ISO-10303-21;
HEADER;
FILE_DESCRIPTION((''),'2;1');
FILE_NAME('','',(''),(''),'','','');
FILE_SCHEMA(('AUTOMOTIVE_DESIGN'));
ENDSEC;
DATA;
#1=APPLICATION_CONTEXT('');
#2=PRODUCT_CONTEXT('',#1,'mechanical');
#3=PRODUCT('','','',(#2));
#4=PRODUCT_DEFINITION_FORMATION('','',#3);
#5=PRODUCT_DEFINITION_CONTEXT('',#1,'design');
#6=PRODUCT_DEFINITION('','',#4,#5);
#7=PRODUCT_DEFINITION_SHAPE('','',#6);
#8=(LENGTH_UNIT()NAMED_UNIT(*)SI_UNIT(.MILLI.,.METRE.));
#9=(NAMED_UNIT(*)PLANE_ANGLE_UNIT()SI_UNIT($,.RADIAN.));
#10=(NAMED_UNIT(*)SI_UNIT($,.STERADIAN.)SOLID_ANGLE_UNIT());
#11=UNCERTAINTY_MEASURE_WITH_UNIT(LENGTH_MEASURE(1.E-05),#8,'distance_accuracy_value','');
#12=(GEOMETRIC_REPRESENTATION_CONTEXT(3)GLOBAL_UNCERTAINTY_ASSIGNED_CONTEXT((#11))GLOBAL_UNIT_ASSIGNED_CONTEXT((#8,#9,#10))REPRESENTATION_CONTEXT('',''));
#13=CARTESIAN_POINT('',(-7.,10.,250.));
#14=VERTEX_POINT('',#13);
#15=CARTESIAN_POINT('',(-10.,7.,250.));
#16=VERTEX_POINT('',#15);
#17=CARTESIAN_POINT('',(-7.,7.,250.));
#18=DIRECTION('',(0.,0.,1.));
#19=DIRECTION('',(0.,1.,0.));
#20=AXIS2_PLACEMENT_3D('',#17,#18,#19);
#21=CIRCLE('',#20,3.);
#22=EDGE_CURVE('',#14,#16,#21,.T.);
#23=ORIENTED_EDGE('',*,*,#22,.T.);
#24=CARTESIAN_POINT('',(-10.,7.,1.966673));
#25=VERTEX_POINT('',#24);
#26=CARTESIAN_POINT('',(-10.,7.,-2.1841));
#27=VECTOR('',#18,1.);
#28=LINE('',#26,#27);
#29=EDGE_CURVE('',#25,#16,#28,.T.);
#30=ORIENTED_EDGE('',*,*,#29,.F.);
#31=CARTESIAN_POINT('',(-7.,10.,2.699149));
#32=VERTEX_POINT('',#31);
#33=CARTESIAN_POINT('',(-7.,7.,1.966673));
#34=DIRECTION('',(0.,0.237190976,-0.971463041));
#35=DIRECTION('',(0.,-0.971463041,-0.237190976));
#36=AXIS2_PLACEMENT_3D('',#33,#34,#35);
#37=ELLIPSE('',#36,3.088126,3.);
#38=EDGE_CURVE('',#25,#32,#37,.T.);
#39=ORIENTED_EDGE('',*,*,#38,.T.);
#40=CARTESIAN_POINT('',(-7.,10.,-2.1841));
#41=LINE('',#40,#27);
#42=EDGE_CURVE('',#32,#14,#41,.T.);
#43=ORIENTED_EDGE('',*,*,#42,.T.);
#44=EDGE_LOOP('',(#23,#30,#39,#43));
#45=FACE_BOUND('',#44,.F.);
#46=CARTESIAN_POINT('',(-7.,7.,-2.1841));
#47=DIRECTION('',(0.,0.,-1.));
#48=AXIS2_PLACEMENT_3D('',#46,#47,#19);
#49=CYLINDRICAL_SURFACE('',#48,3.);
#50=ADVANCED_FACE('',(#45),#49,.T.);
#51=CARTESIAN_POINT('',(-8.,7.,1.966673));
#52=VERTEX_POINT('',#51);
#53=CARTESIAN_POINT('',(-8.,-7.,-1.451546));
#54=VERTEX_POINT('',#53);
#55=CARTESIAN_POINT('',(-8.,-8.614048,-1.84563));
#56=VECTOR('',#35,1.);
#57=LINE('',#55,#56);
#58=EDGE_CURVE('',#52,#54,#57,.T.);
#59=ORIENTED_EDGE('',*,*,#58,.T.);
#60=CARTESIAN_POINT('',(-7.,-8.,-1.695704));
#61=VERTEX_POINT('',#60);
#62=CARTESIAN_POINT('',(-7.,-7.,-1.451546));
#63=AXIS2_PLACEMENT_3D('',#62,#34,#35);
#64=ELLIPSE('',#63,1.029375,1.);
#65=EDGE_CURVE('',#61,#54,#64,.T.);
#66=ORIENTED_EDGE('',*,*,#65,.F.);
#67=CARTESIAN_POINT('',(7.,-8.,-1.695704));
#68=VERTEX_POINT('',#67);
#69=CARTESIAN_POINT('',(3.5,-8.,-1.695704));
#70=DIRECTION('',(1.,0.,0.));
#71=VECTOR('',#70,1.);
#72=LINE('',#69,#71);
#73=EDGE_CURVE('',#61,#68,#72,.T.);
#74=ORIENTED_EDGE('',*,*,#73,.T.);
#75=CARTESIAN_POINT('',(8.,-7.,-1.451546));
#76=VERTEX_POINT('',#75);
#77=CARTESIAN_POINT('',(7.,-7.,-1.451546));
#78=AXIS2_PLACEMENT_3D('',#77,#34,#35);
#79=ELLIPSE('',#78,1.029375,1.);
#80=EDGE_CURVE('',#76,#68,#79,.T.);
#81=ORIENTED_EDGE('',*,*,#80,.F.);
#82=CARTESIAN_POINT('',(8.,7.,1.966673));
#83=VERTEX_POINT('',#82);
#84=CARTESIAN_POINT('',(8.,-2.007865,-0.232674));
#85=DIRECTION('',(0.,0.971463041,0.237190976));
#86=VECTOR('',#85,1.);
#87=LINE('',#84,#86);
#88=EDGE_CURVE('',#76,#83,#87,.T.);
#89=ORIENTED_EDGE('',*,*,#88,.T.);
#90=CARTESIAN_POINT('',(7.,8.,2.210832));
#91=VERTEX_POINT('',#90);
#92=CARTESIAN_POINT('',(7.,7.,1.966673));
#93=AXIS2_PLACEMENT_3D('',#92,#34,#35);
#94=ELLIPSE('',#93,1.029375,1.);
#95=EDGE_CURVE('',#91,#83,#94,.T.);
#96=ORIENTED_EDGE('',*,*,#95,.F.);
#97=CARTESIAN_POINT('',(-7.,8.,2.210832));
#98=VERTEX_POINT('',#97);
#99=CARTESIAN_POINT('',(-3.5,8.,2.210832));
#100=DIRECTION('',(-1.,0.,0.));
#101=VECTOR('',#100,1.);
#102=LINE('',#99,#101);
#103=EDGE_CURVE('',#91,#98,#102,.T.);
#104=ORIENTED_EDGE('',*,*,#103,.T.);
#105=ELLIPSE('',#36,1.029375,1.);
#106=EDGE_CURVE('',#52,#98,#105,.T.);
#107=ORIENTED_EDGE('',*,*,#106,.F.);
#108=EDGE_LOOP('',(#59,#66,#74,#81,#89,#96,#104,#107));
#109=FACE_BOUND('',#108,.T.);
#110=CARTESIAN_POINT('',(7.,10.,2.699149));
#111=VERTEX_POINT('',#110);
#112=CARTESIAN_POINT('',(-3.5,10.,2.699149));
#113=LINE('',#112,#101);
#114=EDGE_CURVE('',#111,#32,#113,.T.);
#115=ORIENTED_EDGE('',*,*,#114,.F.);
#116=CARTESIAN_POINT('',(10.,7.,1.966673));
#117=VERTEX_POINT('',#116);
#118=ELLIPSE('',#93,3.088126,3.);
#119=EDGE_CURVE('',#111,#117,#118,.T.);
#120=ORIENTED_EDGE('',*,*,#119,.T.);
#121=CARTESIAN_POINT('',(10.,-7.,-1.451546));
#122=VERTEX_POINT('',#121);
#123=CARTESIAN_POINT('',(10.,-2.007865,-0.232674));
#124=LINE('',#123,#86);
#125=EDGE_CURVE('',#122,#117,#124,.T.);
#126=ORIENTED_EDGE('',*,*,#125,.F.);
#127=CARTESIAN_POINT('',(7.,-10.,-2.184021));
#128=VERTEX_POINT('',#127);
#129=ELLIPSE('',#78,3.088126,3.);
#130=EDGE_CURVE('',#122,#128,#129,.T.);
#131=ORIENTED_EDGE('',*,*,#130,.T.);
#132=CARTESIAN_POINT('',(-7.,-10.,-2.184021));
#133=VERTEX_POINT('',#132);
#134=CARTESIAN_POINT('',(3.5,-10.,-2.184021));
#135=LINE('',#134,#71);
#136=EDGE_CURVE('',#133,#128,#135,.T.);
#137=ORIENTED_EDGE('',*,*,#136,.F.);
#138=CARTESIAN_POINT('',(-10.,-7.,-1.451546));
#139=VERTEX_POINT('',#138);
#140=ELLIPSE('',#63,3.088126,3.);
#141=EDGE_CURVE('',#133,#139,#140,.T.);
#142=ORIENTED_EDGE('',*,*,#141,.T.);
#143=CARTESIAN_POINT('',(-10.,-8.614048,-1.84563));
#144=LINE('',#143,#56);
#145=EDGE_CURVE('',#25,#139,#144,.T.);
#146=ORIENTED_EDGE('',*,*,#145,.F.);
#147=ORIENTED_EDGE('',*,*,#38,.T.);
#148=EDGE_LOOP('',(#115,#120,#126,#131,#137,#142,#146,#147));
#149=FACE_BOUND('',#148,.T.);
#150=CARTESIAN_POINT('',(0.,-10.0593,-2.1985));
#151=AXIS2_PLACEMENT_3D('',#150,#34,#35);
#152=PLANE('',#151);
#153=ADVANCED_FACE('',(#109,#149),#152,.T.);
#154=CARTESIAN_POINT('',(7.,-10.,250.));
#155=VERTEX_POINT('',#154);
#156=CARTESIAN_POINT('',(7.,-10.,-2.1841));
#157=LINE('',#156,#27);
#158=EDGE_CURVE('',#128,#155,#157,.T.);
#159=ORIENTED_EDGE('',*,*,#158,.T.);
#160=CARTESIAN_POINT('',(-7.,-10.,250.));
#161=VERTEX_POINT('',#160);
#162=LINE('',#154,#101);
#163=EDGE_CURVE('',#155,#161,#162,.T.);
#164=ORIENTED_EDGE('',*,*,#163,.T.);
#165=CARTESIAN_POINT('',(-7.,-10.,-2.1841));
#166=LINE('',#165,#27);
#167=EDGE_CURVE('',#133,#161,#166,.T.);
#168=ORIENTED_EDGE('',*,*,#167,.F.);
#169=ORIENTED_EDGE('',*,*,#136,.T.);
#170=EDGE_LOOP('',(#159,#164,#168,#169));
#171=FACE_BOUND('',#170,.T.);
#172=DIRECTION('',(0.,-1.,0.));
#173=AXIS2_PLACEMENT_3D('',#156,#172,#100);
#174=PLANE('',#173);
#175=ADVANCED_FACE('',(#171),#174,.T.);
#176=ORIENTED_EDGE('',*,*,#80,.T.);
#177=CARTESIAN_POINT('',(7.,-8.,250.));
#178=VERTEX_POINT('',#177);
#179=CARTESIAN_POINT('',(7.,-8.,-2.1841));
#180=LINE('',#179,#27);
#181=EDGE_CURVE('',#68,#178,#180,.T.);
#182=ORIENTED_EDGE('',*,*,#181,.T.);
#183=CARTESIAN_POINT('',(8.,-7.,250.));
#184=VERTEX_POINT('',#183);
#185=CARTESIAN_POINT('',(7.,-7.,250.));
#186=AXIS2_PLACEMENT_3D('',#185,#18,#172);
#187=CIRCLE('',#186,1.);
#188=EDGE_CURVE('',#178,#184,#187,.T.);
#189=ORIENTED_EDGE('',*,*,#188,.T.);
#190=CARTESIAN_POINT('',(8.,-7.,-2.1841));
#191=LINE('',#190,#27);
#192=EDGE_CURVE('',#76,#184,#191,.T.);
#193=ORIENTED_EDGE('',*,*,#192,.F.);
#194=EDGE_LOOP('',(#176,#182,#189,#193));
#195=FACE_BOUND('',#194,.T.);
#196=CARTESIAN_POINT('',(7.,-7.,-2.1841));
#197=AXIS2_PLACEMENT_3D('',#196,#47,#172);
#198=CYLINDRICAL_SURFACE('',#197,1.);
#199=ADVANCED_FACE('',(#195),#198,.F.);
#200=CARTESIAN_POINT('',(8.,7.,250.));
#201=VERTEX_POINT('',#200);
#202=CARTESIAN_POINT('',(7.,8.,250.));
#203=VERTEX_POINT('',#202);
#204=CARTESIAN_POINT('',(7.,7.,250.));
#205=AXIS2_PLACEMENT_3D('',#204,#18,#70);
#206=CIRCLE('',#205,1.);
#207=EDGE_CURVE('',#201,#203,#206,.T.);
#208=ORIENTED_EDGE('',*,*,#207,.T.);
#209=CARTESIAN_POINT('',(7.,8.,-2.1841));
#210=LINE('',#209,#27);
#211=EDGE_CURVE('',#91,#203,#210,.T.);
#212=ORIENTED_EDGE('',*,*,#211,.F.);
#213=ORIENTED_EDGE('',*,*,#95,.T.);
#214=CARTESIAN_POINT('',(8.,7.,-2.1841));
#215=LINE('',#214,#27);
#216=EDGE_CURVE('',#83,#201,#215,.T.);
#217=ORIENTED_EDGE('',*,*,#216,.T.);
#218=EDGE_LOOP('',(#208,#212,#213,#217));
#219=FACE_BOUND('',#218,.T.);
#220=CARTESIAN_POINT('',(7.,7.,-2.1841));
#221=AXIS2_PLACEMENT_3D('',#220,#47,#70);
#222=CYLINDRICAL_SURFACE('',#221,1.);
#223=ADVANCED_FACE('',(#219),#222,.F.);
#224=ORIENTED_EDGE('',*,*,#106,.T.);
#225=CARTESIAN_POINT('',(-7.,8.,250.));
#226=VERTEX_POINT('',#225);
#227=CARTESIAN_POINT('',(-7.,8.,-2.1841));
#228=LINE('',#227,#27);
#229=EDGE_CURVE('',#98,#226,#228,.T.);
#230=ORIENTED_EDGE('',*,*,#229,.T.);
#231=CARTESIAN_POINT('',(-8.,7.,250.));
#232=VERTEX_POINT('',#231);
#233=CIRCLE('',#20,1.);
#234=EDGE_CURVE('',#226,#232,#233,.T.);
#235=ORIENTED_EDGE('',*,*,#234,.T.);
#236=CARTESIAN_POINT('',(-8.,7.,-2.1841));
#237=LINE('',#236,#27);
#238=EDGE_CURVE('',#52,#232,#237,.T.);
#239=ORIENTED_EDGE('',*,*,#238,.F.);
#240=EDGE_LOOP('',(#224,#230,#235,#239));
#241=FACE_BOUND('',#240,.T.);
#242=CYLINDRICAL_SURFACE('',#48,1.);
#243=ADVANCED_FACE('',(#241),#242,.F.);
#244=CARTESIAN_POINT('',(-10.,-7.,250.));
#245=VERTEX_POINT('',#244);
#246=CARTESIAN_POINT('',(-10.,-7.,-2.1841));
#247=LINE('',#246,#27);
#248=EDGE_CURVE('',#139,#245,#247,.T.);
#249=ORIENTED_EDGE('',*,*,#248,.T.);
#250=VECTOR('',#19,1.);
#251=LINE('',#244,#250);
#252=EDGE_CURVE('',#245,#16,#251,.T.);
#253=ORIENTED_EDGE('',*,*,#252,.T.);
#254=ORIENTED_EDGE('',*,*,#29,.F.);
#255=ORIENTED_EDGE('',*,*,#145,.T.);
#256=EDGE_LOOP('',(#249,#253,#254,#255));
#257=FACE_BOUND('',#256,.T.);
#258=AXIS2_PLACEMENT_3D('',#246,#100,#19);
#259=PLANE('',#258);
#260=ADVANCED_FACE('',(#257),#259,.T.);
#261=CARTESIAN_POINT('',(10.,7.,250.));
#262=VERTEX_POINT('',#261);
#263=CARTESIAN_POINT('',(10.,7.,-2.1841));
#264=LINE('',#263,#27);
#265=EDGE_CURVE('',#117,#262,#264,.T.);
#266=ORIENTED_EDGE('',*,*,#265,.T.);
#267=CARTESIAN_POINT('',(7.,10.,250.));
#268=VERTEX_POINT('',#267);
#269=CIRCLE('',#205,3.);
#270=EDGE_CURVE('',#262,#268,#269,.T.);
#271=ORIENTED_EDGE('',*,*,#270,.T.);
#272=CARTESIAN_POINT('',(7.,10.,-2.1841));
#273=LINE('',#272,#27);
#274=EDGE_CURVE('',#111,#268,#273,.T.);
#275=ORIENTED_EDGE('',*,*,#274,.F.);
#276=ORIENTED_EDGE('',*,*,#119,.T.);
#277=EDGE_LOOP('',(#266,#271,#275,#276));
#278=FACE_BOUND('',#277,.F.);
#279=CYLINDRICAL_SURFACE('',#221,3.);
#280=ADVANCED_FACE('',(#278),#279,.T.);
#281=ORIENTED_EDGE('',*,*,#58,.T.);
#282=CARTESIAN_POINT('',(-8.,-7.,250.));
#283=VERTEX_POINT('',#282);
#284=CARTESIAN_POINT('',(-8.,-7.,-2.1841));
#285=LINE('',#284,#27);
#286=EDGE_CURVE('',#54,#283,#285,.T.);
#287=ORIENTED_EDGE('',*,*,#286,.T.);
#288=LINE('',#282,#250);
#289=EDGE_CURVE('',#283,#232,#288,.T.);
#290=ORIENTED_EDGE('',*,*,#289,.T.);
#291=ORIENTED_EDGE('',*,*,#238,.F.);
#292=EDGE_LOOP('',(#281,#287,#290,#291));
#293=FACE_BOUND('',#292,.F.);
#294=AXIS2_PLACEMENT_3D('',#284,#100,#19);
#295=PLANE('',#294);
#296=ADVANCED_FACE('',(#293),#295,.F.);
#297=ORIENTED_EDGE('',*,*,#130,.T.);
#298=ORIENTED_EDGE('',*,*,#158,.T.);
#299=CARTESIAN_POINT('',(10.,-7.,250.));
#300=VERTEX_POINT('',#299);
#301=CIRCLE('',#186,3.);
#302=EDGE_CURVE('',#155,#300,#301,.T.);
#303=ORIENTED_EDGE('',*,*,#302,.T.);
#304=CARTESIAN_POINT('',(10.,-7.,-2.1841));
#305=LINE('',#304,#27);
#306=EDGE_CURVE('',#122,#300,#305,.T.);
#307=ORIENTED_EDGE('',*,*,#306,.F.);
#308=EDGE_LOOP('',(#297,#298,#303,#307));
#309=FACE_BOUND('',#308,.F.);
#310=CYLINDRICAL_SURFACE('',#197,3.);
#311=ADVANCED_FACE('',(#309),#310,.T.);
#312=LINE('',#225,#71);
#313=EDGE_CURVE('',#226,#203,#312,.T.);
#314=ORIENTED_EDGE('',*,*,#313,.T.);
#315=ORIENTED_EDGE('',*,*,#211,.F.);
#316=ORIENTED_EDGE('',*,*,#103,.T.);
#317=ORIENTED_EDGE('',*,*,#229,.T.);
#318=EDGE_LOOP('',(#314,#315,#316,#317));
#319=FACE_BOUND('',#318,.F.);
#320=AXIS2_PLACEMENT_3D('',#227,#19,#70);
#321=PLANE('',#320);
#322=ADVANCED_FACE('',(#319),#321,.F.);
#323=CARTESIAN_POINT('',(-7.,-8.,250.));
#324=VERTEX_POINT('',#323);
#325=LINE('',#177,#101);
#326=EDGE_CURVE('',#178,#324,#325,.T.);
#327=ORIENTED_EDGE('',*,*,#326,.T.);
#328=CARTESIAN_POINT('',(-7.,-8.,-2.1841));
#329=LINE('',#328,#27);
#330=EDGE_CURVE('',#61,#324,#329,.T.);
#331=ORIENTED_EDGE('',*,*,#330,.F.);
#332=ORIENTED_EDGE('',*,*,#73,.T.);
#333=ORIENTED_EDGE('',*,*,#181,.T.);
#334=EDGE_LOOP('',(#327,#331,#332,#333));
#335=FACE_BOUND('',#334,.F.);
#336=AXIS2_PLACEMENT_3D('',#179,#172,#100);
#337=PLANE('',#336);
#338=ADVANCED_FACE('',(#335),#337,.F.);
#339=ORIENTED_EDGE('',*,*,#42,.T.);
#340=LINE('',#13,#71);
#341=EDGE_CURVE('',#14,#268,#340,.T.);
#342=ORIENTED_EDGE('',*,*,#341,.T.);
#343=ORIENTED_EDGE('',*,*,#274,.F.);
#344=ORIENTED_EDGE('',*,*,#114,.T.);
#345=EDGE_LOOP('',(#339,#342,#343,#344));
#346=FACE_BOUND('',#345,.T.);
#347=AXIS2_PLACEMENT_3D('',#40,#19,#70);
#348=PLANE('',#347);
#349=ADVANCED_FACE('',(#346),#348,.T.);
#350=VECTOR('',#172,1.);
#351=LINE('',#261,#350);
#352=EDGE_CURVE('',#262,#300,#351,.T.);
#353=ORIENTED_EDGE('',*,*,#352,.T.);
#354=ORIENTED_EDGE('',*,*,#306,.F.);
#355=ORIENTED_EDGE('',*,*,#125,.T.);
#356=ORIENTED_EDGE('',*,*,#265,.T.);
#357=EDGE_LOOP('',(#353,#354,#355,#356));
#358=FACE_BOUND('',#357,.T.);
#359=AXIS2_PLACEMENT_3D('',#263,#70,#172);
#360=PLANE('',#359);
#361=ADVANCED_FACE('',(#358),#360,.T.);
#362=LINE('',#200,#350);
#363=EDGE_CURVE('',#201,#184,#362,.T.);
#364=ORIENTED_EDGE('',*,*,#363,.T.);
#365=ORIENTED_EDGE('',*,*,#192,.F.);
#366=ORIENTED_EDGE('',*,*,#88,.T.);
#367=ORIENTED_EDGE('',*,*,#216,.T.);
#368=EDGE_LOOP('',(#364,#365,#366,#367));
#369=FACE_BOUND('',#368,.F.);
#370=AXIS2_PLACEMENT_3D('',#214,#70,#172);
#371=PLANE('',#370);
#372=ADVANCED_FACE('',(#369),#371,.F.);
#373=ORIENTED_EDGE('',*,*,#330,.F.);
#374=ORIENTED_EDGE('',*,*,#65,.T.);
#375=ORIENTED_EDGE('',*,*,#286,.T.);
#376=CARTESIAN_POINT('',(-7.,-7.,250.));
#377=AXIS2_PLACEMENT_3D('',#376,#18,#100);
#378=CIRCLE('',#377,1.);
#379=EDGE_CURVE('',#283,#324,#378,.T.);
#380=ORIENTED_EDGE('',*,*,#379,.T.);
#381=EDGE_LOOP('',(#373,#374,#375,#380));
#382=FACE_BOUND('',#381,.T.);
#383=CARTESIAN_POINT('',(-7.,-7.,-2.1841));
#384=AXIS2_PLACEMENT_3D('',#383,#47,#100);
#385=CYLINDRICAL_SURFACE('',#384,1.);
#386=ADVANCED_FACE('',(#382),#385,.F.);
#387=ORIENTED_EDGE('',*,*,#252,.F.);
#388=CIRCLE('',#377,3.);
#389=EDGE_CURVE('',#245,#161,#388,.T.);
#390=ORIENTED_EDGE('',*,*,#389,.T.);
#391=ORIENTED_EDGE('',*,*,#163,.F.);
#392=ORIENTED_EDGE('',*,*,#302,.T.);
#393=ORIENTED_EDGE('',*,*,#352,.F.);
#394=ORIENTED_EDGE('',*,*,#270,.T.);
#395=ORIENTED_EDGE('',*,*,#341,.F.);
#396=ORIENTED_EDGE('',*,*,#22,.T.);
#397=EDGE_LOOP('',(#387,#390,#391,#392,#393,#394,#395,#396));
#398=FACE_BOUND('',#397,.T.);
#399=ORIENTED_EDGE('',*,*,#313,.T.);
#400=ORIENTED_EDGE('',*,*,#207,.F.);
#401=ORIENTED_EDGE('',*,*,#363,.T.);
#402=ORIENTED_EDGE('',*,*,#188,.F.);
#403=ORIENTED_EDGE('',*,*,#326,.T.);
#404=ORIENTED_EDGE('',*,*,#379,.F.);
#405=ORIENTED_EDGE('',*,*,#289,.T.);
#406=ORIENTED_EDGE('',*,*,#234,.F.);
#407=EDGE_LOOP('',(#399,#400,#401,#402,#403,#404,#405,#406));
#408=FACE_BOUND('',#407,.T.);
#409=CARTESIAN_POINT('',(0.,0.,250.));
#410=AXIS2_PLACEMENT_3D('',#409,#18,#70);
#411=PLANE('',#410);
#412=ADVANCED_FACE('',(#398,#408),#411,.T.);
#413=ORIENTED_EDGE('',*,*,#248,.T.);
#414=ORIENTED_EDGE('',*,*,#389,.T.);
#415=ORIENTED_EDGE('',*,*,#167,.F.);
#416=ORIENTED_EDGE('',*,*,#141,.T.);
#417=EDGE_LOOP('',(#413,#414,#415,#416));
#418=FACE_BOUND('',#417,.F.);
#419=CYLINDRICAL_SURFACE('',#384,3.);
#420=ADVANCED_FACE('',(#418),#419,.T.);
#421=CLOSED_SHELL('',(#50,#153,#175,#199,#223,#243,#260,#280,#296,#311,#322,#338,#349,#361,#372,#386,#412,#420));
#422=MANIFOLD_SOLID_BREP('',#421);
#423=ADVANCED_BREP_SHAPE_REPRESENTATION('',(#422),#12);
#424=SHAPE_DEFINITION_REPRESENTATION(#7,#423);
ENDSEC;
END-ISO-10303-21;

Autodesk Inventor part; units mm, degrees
ref_plane "Start Plane" through (0, 0, -2.1841) normal (0, 0, 1) x (1, 0, 0)
ref_plane "End Plane" through (0, 0, 250) normal (0, 0, 1) x (1, 0, 0)
sketch "Sketch" plane through (0, 0, 0) normal (0, 0, 1) x (1, 0, 0)
  line L0 (-10, -7) -> (-10, 7)
  line L1 (-7, 10) -> (7, 10)
  line L2 (10, 7) -> (10, -7)
  line L3 (7, -10) -> (-7, -10)
  arc A0 (-10, -7) -> (-7, -10) centre (-7, -7) ccw
  arc A1 (-7, 10) -> (-10, 7) centre (-7, 7) ccw
  arc A2 (10, 7) -> (7, 10) centre (7, 7) ccw
  arc A3 (7, -10) -> (10, -7) centre (7, -7) ccw
  arc A4 (-7, 8) -> (-8, 7) centre (-7, 7) ccw
  line L4 (-7, 8) -> (7, 8)
  arc A5 (8, 7) -> (7, 8) centre (7, 7) ccw
  line L5 (8, 7) -> (8, -7)
  arc A6 (7, -8) -> (8, -7) centre (7, -7) ccw
  line L6 (7, -8) -> (-7, -8)
  arc A7 (-8, -7) -> (-7, -8) centre (-7, -7) ccw
  line L7 (-8, -7) -> (-8, 7)
  line L8 (0, 14.8698) -> (0, -14.8698) construction
  line L9 (-14.8698, 0) -> (14.8698, 0) construction
  dimension "d7" = 3
  dimension "d10" = 20
  dimension "d11" = 20
  dimension "d12" = 2
  dimension "d15" = 10
  dimension "d16" = 10
extrude "Body" add sketch "Sketch" along normal up to surface (252.1841 mm away) from surface at -2.1841
sketch "Sketch3" plane through (0, 0, 0) normal (0, 0, 1) x (1, 0, 0)
  line L0 (0, 0) -> (10, 0)
ref_plane "Work Plane3" through (0, 0, 0) normal (0, -1, 0) x (1, 0, 0)
sketch "Sketch4" plane through (0, 0, 0) normal (0, -1, 0) x (1, 0, 0)
  line L0 (-2, -2.1841) -> (12, -2.1841)
  line L1 (-2, 250) -> (12, 250)
  dimension "d18" = 252.1841
ref_plane "Work Plane4" through (0, -10.0593, -2.1985) normal (0, 0.2372, -0.9715) x (1, 0, 0)
split "Split1" plane through (0, -10.0593, -2.1985) removes the side toward (0, 0.2372, -0.9715)
equation "\"d7\" = G_IR"
equation "\"d10\" = G_H"
equation "\"d11\" = G_W"
equation "\"d12\" = G_T"
equation "\"d15\" = 0.5 * d10"
equation "\"d16\" = 0.5 * d11"
equation "\"d3\" = G_L"
equation "\"G_W\" = 20"
equation "\"G_H\" = 20"
equation "\"G_T\" = 2"
equation "\"G_IR\" = 3"
equation "\"G_L\" = d18"
equation "\"G_OFFSET_START\" = 2.18407"
equation "\"G_OFFSET_END\" = 0"
equation "\"d13\" = -G_OFFSET_START"
properties part number "ISO 12633-2 - 20x20x2 - 252.18" material "Steel, Mild"
